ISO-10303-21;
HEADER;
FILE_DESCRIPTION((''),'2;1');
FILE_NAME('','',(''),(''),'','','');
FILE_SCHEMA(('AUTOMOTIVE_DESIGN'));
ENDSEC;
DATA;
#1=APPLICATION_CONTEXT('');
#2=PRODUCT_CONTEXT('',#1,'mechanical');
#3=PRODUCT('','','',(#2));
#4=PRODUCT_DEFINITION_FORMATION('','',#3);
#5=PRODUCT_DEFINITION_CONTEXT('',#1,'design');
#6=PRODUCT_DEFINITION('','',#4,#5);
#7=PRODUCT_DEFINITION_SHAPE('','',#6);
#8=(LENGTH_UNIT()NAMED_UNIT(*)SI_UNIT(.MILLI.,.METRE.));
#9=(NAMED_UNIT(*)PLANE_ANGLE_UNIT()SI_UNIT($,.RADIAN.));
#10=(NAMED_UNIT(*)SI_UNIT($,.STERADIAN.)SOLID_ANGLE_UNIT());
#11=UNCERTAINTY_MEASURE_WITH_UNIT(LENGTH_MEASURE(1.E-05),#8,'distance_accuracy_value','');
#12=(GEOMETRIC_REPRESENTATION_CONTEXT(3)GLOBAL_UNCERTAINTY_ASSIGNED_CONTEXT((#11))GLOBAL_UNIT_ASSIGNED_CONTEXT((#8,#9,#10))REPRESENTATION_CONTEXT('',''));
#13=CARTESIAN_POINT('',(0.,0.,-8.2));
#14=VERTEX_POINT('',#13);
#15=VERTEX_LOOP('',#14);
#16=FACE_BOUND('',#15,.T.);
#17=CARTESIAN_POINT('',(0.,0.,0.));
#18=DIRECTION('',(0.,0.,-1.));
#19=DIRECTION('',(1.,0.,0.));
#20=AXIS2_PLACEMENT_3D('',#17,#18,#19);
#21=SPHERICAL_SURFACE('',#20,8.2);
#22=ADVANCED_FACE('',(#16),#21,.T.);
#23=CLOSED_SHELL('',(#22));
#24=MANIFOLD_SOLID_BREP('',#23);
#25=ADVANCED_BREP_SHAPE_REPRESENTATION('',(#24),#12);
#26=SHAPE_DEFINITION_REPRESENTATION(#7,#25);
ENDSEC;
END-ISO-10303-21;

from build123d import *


with BuildPart() as part:
    # Sketch1 → Revolve1 (revolve)
    with BuildSketch(Plane(origin=(0, 0, 0), x_dir=(1, 0, 0), z_dir=(0, 1, 0))):
        with BuildLine():
            Line((0, 8.2), (0, -8.2))
            ThreePointArc((0, -8.2), (8.2, 0), (0, 8.2))
        make_face()
    revolve(axis=Axis((0, 0, -8.2), (0, 0, 1)))


solid = part.part
